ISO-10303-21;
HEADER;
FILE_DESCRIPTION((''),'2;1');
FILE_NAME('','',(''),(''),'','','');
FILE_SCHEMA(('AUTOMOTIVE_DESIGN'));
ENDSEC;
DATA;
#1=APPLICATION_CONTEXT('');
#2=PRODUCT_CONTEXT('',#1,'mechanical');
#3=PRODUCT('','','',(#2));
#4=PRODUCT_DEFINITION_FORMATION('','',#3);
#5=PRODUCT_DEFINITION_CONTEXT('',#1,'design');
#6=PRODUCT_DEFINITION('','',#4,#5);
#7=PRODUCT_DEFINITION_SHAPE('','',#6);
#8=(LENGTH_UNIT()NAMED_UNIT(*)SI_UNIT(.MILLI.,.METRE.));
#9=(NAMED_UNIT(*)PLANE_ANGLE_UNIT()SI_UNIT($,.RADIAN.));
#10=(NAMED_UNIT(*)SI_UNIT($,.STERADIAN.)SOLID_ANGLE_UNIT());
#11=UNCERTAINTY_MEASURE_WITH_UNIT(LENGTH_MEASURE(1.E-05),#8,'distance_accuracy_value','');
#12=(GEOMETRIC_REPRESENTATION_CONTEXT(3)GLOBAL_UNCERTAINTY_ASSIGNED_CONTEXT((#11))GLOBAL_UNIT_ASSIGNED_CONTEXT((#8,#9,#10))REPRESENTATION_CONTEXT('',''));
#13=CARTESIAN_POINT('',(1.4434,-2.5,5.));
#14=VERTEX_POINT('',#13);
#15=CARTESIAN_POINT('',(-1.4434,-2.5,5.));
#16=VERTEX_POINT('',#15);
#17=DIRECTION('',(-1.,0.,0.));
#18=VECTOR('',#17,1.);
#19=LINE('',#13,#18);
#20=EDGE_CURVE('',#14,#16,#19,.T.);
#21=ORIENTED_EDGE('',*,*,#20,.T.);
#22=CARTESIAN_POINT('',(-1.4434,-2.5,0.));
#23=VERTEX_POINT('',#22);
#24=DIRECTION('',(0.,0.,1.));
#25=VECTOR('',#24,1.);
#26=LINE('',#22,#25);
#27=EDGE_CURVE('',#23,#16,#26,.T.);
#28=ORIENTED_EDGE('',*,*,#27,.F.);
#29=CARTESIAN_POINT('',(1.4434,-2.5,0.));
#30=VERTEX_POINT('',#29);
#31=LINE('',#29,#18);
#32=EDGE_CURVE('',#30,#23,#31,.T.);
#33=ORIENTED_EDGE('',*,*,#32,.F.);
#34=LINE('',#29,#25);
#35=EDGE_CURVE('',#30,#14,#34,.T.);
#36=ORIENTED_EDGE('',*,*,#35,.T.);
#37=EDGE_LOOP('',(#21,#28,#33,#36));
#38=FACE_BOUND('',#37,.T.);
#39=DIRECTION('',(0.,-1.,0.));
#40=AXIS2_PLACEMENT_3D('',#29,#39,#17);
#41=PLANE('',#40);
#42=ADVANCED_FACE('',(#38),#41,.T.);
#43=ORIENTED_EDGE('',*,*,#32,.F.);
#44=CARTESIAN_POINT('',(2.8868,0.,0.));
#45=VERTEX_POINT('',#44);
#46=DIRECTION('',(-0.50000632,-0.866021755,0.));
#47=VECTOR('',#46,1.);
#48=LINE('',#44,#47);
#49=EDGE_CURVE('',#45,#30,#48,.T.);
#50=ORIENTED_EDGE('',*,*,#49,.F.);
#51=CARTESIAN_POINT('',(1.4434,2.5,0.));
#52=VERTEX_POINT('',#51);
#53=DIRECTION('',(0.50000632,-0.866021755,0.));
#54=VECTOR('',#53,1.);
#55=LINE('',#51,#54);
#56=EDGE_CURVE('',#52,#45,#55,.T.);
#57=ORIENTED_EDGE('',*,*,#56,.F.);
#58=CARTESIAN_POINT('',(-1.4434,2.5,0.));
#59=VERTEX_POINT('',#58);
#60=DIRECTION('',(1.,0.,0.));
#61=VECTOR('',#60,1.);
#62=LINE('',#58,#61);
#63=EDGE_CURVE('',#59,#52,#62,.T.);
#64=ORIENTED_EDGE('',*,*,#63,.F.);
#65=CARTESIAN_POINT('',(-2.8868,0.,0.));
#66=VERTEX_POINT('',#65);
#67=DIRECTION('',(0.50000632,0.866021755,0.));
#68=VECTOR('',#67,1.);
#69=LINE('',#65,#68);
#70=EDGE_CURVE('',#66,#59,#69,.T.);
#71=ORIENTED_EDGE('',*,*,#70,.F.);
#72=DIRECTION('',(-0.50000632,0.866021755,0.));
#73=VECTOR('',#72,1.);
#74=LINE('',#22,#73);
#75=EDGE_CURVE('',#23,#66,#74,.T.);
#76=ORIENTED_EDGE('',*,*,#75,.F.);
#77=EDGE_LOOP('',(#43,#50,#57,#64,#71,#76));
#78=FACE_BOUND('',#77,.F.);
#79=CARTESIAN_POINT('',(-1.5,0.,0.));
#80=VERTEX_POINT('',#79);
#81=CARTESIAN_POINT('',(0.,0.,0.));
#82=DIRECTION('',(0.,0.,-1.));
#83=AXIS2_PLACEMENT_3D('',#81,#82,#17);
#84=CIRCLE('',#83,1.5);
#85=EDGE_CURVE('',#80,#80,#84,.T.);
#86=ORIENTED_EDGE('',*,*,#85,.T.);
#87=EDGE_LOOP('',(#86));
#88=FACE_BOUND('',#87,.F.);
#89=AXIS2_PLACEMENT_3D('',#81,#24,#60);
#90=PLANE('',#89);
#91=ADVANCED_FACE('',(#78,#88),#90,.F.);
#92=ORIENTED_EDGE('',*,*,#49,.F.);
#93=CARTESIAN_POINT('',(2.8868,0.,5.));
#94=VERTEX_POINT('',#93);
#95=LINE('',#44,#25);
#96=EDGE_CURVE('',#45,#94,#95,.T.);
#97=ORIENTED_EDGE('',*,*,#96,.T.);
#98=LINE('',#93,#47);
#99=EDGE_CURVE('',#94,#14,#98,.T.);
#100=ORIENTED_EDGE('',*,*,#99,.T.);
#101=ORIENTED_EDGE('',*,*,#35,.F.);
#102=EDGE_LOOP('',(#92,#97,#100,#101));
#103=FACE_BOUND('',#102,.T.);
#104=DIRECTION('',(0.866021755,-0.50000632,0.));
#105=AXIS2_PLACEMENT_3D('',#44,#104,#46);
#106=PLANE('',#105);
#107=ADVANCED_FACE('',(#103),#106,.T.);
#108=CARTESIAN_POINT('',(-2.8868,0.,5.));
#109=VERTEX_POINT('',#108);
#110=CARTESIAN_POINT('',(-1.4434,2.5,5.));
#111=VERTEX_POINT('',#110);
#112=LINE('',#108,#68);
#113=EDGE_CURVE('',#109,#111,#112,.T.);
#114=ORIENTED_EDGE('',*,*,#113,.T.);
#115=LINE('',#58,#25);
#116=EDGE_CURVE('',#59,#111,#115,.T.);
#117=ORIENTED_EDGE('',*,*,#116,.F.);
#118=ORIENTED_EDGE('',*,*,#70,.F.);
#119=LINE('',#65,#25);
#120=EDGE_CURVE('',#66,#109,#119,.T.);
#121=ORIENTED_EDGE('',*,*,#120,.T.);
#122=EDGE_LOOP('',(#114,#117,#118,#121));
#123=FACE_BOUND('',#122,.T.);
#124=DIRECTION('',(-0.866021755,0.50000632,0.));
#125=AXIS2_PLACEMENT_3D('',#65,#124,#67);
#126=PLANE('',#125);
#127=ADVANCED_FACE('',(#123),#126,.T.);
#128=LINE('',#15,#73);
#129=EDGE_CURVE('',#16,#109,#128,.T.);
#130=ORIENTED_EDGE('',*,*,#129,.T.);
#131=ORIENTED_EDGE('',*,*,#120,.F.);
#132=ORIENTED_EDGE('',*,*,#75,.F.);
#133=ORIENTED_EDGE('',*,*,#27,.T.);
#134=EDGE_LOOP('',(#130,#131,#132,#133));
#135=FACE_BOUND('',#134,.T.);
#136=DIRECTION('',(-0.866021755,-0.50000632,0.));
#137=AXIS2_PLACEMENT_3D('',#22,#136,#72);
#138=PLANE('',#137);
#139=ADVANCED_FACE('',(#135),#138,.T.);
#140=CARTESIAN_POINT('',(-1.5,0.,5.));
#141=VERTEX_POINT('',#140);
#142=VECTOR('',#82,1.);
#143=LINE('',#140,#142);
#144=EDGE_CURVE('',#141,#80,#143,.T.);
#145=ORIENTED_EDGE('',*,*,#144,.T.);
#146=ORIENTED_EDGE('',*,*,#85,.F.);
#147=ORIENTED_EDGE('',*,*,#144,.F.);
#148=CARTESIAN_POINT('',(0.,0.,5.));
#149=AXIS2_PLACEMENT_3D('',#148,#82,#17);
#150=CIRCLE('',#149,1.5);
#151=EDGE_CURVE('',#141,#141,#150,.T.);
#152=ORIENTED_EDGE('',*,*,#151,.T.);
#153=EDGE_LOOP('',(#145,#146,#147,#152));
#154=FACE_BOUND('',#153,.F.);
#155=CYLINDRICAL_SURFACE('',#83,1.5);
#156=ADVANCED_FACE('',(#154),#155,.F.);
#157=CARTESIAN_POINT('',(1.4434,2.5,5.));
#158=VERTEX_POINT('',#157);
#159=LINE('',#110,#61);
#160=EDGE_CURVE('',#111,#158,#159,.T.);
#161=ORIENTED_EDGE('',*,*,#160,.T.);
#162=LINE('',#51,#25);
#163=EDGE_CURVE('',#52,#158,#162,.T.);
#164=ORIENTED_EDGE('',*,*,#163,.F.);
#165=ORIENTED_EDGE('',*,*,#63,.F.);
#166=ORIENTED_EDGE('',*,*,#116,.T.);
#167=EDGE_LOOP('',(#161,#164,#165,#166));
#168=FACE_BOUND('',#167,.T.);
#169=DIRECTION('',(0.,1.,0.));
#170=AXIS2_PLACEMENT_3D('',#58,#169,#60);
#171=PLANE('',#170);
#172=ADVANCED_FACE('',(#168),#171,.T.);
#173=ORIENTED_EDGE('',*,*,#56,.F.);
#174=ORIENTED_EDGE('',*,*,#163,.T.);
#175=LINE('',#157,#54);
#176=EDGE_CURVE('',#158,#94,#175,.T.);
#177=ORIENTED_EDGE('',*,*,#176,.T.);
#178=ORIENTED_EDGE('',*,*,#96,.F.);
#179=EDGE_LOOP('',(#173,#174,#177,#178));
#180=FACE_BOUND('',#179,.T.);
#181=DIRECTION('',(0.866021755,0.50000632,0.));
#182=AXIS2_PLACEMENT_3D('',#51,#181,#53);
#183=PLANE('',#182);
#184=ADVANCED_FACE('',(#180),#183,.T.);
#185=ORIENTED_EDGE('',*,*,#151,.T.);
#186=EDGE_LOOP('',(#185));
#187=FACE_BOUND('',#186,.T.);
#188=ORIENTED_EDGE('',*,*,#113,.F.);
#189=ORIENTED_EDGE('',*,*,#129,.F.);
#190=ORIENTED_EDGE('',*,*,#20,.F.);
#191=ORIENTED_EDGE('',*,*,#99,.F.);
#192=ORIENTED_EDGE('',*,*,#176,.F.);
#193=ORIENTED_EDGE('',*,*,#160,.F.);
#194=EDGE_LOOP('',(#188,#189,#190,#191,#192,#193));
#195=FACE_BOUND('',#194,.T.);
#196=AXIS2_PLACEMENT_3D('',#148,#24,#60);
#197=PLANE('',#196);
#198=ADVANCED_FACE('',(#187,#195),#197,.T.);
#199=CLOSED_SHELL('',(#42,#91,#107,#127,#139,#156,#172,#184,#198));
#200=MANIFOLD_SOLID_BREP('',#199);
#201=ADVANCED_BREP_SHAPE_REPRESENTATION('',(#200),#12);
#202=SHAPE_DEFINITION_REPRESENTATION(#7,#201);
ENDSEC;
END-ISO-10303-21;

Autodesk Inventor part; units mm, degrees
ref_plane "YZ Plane" through (0, 0, 0) normal (1, 0, 0) x (0, 1, 0)
ref_plane "XZ Plane" through (0, 0, 0) normal (0, 1, 0) x (-1, 0, 0)
ref_plane "XY Plane" through (0, 0, 0) normal (0, 0, 1) x (1, 0, 0)
sketch "Sketch1" plane through (0, 0, 0) normal (0, 0, 1) x (1, 0, 0)
  line L0 (2.8868, 0) -> (1.4434, -2.5)
  line L1 (1.4434, -2.5) -> (-1.4434, -2.5)
  line L2 (-1.4434, -2.5) -> (-2.8868, 0)
  line L3 (-2.8868, 0) -> (-1.4434, 2.5)
  line L4 (-1.4434, 2.5) -> (1.4434, 2.5)
  line L5 (1.4434, 2.5) -> (2.8868, 0)
  point P0 (0, 0)
  point P1 (0, 0)
  dimension "d0" = 5
extrude "Extrusion1" add sketch "Sketch1" along normal blind 5
sketch "Sketch2" plane through (0, 0, 5) normal (0, 0, 1) x (1, 0, 0)
  circle A0 centre (0, 0) radius 1.5
  dimension "d3" = 3
extrude "Extrusion2" add sketch "Sketch2" along normal blind 6
sketch "Sketch3" plane through (0, 0, 0) normal (0, 0, -1) x (-1, 0, 0)
  circle A0 centre (0, 0) radius 1.5
  dimension "d6" = 3
extrude "Extrusion3" cut sketch "Sketch3" against normal blind 4
sketch "Sketch4" plane through (0, 0, 4) normal (0, 0, -1) x (-1, 0, 0)
  circle A0 centre (0, 0) radius 1.5 projected
extrude "Extrusion4" cut sketch "Sketch4" against normal through all
properties part number "Spacer5mm_m3_970050351"
